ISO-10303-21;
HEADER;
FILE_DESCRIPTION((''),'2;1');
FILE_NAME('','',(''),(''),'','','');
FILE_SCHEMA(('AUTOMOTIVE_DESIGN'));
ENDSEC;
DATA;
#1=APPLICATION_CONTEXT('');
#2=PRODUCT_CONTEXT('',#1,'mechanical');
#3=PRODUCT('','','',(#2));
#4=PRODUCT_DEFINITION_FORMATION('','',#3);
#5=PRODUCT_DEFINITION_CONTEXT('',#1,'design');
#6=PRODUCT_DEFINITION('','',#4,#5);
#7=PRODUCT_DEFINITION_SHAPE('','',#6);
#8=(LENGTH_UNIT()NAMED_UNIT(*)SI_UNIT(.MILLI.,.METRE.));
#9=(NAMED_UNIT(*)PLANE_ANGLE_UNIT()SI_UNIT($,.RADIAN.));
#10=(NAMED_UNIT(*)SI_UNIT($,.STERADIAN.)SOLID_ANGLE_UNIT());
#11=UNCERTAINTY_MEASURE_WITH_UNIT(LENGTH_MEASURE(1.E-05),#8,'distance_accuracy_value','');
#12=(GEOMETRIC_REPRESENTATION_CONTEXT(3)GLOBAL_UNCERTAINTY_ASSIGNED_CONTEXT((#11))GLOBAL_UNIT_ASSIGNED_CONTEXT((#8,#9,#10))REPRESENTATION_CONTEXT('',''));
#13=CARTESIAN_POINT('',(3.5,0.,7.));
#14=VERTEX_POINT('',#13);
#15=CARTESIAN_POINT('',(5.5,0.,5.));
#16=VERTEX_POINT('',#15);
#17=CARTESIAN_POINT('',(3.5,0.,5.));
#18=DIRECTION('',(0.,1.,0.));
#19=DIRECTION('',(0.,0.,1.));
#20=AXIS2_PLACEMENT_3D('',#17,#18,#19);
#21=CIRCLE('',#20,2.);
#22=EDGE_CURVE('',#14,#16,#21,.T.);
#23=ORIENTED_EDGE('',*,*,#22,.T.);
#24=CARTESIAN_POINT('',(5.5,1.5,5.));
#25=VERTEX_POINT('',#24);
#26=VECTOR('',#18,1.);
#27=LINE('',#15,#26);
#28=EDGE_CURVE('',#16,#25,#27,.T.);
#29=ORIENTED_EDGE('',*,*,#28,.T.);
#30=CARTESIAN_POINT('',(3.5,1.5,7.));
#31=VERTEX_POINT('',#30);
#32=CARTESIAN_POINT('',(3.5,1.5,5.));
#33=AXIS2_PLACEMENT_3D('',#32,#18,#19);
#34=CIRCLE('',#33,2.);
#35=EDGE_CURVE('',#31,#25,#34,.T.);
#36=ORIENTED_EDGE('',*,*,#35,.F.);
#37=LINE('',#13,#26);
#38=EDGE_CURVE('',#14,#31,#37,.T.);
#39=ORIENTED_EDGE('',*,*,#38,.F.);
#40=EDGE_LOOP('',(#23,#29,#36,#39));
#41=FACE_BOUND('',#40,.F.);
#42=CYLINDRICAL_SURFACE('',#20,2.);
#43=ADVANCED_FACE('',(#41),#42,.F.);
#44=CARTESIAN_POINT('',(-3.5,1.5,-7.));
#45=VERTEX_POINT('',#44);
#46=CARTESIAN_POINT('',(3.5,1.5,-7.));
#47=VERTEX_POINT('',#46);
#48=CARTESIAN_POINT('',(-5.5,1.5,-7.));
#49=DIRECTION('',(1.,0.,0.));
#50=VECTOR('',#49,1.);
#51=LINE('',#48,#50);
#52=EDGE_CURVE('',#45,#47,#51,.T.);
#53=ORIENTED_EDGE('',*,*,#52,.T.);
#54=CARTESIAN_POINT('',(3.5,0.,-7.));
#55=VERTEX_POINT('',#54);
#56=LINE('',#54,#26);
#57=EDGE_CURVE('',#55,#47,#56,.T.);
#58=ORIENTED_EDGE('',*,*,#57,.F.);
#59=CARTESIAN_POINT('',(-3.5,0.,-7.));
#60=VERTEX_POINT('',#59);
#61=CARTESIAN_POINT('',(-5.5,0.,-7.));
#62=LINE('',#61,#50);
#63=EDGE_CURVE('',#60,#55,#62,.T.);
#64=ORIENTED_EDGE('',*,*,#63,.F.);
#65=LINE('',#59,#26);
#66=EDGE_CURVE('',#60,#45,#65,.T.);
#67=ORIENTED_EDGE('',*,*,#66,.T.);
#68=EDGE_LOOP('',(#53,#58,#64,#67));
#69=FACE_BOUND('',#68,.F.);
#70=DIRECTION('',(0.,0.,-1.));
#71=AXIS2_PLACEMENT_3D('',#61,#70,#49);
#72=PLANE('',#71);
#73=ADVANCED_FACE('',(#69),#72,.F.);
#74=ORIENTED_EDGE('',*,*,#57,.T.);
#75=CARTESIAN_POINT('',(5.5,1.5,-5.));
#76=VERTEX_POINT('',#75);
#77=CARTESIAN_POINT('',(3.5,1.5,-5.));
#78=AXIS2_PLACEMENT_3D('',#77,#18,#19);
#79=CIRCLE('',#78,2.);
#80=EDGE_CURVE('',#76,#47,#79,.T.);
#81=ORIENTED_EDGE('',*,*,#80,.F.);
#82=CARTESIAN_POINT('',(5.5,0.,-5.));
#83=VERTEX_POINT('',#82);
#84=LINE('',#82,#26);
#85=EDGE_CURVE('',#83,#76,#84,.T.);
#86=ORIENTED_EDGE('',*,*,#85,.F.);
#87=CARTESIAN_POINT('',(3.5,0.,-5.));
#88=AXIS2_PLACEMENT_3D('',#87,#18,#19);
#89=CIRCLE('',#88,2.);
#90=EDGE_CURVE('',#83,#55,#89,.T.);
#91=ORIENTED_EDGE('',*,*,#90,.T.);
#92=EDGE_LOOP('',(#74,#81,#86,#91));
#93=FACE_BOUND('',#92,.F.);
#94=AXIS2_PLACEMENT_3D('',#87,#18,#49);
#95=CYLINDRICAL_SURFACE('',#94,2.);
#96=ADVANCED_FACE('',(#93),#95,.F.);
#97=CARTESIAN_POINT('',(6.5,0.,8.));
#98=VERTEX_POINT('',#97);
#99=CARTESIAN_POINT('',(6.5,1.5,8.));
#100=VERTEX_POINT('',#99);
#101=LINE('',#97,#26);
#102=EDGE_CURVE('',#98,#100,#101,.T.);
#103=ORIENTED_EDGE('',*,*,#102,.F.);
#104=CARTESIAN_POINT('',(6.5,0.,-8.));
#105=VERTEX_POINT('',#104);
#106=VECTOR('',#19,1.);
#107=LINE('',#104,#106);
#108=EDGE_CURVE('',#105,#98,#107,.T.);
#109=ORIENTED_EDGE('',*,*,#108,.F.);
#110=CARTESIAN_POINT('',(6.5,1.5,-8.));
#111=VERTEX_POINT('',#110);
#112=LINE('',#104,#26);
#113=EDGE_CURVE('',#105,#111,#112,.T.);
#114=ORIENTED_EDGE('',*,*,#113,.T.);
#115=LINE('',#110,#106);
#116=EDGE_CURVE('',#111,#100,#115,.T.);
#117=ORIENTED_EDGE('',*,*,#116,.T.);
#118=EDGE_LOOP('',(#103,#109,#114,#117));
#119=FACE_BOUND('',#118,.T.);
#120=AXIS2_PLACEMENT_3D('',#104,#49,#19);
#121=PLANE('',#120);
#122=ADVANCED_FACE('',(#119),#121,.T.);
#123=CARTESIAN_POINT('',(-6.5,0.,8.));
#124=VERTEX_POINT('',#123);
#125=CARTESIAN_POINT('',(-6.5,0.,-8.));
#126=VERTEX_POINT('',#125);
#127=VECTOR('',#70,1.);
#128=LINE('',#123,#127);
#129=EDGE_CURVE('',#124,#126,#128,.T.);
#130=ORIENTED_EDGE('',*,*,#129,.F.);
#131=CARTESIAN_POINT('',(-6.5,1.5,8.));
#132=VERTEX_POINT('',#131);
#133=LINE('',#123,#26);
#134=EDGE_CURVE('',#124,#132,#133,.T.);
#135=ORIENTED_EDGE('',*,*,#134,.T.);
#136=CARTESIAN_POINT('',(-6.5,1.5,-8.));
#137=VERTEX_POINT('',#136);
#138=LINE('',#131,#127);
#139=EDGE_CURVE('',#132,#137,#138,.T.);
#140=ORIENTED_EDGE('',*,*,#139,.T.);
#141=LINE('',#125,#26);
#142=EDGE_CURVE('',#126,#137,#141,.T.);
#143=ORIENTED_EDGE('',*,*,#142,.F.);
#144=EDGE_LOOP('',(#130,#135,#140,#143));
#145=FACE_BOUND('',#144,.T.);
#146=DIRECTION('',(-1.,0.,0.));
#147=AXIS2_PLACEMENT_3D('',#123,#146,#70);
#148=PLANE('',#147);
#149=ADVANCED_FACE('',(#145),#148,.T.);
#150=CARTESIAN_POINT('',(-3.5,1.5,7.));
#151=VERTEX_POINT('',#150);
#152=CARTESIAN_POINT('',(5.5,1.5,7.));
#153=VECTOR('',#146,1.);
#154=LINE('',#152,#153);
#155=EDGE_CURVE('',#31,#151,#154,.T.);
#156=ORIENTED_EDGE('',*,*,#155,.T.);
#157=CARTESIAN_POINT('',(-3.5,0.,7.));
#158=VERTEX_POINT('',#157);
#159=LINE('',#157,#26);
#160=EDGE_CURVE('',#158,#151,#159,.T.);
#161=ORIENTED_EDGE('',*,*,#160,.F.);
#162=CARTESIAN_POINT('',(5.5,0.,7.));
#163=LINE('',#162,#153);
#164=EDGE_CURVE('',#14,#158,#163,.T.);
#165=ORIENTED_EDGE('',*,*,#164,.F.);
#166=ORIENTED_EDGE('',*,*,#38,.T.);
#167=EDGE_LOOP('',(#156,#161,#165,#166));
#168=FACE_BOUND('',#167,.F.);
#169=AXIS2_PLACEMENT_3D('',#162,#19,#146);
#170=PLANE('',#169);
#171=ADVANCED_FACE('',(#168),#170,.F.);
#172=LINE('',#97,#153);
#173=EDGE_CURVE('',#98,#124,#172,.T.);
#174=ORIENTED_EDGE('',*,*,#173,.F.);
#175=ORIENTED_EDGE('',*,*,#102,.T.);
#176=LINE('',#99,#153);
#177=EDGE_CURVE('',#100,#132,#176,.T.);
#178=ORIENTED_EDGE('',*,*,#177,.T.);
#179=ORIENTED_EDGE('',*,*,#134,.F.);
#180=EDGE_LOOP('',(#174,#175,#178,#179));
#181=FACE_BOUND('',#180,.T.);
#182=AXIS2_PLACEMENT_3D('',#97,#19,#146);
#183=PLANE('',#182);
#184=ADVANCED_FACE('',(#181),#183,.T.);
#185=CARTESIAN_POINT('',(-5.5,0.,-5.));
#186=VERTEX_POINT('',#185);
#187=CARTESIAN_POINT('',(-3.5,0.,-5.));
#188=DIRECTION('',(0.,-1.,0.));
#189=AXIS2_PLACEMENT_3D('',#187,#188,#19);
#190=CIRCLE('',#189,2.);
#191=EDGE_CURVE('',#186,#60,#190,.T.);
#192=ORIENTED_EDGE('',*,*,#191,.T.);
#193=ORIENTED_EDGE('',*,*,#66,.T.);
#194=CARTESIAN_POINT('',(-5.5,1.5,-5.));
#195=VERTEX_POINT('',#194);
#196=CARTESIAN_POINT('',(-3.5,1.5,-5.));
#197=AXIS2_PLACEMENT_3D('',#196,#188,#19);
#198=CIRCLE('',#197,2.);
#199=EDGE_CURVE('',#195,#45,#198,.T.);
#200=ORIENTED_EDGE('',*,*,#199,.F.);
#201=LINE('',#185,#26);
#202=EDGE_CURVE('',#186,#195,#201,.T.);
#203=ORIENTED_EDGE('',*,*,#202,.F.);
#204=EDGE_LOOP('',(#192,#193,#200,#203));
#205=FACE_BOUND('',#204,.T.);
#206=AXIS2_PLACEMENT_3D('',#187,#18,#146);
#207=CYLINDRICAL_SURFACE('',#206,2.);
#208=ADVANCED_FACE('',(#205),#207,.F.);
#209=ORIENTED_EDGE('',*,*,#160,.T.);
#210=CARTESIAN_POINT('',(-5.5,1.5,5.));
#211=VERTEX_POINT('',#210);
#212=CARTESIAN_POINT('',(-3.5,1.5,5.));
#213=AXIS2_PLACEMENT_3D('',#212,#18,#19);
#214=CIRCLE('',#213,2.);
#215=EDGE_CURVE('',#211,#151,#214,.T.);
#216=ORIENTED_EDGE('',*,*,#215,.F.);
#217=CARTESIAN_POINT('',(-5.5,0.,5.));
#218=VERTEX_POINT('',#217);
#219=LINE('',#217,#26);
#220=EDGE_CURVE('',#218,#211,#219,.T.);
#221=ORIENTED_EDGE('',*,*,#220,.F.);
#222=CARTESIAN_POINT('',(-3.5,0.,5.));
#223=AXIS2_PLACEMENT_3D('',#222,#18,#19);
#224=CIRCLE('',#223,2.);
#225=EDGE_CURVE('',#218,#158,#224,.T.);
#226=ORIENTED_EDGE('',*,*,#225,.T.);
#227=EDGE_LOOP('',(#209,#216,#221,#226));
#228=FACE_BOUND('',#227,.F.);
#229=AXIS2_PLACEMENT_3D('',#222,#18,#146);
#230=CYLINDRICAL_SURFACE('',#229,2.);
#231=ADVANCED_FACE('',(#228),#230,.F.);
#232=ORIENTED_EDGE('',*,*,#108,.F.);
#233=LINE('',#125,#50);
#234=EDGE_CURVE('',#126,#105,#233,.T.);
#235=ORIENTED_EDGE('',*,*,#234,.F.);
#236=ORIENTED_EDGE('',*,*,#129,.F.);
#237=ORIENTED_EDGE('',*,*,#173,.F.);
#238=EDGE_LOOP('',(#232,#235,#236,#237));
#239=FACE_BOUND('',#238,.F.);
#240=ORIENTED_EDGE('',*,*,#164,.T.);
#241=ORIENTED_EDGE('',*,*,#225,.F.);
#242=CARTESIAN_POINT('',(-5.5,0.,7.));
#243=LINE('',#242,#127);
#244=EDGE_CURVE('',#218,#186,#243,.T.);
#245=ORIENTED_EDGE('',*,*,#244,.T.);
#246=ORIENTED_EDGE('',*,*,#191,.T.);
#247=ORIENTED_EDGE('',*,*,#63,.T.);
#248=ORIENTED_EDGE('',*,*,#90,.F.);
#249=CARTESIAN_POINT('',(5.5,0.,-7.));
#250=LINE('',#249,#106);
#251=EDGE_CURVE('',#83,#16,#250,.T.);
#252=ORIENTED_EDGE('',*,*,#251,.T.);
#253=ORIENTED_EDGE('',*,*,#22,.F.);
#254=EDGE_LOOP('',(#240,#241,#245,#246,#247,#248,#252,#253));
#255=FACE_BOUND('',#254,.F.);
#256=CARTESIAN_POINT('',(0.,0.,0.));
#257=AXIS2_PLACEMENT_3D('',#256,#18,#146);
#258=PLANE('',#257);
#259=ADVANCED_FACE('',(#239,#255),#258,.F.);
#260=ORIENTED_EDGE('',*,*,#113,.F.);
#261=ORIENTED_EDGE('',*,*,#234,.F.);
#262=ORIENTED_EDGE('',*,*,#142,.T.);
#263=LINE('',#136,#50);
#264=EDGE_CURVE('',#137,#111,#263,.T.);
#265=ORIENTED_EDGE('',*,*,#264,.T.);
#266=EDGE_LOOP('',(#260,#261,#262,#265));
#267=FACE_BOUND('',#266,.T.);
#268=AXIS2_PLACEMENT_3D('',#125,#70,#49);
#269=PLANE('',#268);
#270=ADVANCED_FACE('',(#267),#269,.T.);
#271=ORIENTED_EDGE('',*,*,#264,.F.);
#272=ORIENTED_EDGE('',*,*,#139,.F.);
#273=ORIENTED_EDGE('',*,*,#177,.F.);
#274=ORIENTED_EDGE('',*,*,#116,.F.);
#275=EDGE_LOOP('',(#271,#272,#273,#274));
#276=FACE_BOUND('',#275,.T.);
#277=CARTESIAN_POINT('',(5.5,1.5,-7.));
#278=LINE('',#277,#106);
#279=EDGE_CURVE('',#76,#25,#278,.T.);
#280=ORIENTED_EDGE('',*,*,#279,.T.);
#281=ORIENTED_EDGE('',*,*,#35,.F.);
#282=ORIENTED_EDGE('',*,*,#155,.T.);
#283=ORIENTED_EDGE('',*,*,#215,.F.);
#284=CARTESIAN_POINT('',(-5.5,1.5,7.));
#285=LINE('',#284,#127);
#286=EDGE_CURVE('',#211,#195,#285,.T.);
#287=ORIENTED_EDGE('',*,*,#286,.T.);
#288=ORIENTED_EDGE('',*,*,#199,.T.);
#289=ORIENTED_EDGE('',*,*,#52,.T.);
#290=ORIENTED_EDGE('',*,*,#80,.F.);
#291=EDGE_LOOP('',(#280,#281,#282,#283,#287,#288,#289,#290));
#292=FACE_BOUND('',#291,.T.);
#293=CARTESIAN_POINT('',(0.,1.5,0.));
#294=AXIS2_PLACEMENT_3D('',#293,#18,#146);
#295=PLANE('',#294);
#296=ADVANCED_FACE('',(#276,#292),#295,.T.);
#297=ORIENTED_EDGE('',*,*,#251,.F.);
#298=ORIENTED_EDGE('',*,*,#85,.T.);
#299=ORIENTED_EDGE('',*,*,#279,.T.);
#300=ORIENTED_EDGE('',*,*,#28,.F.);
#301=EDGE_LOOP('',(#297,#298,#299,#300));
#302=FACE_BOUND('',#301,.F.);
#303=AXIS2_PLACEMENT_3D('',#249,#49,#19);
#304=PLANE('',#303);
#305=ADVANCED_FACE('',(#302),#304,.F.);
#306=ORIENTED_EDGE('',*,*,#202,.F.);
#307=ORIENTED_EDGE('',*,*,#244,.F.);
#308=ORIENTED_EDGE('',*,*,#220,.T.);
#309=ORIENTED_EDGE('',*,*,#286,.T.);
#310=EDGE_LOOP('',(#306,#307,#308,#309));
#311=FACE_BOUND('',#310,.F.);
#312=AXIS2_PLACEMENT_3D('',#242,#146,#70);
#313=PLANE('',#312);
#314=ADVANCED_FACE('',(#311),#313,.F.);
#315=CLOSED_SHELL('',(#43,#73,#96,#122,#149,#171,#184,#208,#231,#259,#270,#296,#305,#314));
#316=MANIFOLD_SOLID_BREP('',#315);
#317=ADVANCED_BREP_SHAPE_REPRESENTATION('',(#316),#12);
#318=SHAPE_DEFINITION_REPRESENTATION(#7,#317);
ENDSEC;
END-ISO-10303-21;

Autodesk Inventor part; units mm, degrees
ref_plane "YZ Plane" through (0, 0, 0) normal (1, 0, 0) x (0, 1, 0)
ref_plane "XZ Plane" through (0, 0, 0) normal (0, 1, 0) x (-1, 0, 0)
ref_plane "XY Plane" through (0, 0, 0) normal (0, 0, 1) x (1, 0, 0)
sketch "Sketch1" plane through (0, 0, 0) normal (0, 1, 0) x (-1, 0, 0)
  line L0 (6.5, -8) -> (-6.5, -8)
  line L1 (-6.5, -8) -> (-6.5, 8)
  line L2 (-6.5, 8) -> (6.5, 8)
  line L3 (6.5, 8) -> (6.5, -8)
  line L4 (6.5, -8) -> (-6.5, 8) construction
  line L5 (-6.5, -8) -> (6.5, 8) construction
  line L6 (5.5, -7) -> (-5.5, -7)
  line L7 (-5.5, -7) -> (-5.5, 7)
  line L8 (-5.5, 7) -> (5.5, 7)
  line L9 (5.5, 7) -> (5.5, -7)
  point P0 (0, 0)
  dimension "d0" = 13
  dimension "d1" = 16
  dimension "d2" = 1
extrude "Extrusion1" add sketch "Sketch1" along normal blind 1.5
fillet "Fillet1" radius 2 4 edges at (-5.5, 0.75, -7) (-5.5, 0.75, 7) (5.5, 0.75, 7) (5.5, 0.75, -7)
properties part number "cellSTORM_chip_chamber"
